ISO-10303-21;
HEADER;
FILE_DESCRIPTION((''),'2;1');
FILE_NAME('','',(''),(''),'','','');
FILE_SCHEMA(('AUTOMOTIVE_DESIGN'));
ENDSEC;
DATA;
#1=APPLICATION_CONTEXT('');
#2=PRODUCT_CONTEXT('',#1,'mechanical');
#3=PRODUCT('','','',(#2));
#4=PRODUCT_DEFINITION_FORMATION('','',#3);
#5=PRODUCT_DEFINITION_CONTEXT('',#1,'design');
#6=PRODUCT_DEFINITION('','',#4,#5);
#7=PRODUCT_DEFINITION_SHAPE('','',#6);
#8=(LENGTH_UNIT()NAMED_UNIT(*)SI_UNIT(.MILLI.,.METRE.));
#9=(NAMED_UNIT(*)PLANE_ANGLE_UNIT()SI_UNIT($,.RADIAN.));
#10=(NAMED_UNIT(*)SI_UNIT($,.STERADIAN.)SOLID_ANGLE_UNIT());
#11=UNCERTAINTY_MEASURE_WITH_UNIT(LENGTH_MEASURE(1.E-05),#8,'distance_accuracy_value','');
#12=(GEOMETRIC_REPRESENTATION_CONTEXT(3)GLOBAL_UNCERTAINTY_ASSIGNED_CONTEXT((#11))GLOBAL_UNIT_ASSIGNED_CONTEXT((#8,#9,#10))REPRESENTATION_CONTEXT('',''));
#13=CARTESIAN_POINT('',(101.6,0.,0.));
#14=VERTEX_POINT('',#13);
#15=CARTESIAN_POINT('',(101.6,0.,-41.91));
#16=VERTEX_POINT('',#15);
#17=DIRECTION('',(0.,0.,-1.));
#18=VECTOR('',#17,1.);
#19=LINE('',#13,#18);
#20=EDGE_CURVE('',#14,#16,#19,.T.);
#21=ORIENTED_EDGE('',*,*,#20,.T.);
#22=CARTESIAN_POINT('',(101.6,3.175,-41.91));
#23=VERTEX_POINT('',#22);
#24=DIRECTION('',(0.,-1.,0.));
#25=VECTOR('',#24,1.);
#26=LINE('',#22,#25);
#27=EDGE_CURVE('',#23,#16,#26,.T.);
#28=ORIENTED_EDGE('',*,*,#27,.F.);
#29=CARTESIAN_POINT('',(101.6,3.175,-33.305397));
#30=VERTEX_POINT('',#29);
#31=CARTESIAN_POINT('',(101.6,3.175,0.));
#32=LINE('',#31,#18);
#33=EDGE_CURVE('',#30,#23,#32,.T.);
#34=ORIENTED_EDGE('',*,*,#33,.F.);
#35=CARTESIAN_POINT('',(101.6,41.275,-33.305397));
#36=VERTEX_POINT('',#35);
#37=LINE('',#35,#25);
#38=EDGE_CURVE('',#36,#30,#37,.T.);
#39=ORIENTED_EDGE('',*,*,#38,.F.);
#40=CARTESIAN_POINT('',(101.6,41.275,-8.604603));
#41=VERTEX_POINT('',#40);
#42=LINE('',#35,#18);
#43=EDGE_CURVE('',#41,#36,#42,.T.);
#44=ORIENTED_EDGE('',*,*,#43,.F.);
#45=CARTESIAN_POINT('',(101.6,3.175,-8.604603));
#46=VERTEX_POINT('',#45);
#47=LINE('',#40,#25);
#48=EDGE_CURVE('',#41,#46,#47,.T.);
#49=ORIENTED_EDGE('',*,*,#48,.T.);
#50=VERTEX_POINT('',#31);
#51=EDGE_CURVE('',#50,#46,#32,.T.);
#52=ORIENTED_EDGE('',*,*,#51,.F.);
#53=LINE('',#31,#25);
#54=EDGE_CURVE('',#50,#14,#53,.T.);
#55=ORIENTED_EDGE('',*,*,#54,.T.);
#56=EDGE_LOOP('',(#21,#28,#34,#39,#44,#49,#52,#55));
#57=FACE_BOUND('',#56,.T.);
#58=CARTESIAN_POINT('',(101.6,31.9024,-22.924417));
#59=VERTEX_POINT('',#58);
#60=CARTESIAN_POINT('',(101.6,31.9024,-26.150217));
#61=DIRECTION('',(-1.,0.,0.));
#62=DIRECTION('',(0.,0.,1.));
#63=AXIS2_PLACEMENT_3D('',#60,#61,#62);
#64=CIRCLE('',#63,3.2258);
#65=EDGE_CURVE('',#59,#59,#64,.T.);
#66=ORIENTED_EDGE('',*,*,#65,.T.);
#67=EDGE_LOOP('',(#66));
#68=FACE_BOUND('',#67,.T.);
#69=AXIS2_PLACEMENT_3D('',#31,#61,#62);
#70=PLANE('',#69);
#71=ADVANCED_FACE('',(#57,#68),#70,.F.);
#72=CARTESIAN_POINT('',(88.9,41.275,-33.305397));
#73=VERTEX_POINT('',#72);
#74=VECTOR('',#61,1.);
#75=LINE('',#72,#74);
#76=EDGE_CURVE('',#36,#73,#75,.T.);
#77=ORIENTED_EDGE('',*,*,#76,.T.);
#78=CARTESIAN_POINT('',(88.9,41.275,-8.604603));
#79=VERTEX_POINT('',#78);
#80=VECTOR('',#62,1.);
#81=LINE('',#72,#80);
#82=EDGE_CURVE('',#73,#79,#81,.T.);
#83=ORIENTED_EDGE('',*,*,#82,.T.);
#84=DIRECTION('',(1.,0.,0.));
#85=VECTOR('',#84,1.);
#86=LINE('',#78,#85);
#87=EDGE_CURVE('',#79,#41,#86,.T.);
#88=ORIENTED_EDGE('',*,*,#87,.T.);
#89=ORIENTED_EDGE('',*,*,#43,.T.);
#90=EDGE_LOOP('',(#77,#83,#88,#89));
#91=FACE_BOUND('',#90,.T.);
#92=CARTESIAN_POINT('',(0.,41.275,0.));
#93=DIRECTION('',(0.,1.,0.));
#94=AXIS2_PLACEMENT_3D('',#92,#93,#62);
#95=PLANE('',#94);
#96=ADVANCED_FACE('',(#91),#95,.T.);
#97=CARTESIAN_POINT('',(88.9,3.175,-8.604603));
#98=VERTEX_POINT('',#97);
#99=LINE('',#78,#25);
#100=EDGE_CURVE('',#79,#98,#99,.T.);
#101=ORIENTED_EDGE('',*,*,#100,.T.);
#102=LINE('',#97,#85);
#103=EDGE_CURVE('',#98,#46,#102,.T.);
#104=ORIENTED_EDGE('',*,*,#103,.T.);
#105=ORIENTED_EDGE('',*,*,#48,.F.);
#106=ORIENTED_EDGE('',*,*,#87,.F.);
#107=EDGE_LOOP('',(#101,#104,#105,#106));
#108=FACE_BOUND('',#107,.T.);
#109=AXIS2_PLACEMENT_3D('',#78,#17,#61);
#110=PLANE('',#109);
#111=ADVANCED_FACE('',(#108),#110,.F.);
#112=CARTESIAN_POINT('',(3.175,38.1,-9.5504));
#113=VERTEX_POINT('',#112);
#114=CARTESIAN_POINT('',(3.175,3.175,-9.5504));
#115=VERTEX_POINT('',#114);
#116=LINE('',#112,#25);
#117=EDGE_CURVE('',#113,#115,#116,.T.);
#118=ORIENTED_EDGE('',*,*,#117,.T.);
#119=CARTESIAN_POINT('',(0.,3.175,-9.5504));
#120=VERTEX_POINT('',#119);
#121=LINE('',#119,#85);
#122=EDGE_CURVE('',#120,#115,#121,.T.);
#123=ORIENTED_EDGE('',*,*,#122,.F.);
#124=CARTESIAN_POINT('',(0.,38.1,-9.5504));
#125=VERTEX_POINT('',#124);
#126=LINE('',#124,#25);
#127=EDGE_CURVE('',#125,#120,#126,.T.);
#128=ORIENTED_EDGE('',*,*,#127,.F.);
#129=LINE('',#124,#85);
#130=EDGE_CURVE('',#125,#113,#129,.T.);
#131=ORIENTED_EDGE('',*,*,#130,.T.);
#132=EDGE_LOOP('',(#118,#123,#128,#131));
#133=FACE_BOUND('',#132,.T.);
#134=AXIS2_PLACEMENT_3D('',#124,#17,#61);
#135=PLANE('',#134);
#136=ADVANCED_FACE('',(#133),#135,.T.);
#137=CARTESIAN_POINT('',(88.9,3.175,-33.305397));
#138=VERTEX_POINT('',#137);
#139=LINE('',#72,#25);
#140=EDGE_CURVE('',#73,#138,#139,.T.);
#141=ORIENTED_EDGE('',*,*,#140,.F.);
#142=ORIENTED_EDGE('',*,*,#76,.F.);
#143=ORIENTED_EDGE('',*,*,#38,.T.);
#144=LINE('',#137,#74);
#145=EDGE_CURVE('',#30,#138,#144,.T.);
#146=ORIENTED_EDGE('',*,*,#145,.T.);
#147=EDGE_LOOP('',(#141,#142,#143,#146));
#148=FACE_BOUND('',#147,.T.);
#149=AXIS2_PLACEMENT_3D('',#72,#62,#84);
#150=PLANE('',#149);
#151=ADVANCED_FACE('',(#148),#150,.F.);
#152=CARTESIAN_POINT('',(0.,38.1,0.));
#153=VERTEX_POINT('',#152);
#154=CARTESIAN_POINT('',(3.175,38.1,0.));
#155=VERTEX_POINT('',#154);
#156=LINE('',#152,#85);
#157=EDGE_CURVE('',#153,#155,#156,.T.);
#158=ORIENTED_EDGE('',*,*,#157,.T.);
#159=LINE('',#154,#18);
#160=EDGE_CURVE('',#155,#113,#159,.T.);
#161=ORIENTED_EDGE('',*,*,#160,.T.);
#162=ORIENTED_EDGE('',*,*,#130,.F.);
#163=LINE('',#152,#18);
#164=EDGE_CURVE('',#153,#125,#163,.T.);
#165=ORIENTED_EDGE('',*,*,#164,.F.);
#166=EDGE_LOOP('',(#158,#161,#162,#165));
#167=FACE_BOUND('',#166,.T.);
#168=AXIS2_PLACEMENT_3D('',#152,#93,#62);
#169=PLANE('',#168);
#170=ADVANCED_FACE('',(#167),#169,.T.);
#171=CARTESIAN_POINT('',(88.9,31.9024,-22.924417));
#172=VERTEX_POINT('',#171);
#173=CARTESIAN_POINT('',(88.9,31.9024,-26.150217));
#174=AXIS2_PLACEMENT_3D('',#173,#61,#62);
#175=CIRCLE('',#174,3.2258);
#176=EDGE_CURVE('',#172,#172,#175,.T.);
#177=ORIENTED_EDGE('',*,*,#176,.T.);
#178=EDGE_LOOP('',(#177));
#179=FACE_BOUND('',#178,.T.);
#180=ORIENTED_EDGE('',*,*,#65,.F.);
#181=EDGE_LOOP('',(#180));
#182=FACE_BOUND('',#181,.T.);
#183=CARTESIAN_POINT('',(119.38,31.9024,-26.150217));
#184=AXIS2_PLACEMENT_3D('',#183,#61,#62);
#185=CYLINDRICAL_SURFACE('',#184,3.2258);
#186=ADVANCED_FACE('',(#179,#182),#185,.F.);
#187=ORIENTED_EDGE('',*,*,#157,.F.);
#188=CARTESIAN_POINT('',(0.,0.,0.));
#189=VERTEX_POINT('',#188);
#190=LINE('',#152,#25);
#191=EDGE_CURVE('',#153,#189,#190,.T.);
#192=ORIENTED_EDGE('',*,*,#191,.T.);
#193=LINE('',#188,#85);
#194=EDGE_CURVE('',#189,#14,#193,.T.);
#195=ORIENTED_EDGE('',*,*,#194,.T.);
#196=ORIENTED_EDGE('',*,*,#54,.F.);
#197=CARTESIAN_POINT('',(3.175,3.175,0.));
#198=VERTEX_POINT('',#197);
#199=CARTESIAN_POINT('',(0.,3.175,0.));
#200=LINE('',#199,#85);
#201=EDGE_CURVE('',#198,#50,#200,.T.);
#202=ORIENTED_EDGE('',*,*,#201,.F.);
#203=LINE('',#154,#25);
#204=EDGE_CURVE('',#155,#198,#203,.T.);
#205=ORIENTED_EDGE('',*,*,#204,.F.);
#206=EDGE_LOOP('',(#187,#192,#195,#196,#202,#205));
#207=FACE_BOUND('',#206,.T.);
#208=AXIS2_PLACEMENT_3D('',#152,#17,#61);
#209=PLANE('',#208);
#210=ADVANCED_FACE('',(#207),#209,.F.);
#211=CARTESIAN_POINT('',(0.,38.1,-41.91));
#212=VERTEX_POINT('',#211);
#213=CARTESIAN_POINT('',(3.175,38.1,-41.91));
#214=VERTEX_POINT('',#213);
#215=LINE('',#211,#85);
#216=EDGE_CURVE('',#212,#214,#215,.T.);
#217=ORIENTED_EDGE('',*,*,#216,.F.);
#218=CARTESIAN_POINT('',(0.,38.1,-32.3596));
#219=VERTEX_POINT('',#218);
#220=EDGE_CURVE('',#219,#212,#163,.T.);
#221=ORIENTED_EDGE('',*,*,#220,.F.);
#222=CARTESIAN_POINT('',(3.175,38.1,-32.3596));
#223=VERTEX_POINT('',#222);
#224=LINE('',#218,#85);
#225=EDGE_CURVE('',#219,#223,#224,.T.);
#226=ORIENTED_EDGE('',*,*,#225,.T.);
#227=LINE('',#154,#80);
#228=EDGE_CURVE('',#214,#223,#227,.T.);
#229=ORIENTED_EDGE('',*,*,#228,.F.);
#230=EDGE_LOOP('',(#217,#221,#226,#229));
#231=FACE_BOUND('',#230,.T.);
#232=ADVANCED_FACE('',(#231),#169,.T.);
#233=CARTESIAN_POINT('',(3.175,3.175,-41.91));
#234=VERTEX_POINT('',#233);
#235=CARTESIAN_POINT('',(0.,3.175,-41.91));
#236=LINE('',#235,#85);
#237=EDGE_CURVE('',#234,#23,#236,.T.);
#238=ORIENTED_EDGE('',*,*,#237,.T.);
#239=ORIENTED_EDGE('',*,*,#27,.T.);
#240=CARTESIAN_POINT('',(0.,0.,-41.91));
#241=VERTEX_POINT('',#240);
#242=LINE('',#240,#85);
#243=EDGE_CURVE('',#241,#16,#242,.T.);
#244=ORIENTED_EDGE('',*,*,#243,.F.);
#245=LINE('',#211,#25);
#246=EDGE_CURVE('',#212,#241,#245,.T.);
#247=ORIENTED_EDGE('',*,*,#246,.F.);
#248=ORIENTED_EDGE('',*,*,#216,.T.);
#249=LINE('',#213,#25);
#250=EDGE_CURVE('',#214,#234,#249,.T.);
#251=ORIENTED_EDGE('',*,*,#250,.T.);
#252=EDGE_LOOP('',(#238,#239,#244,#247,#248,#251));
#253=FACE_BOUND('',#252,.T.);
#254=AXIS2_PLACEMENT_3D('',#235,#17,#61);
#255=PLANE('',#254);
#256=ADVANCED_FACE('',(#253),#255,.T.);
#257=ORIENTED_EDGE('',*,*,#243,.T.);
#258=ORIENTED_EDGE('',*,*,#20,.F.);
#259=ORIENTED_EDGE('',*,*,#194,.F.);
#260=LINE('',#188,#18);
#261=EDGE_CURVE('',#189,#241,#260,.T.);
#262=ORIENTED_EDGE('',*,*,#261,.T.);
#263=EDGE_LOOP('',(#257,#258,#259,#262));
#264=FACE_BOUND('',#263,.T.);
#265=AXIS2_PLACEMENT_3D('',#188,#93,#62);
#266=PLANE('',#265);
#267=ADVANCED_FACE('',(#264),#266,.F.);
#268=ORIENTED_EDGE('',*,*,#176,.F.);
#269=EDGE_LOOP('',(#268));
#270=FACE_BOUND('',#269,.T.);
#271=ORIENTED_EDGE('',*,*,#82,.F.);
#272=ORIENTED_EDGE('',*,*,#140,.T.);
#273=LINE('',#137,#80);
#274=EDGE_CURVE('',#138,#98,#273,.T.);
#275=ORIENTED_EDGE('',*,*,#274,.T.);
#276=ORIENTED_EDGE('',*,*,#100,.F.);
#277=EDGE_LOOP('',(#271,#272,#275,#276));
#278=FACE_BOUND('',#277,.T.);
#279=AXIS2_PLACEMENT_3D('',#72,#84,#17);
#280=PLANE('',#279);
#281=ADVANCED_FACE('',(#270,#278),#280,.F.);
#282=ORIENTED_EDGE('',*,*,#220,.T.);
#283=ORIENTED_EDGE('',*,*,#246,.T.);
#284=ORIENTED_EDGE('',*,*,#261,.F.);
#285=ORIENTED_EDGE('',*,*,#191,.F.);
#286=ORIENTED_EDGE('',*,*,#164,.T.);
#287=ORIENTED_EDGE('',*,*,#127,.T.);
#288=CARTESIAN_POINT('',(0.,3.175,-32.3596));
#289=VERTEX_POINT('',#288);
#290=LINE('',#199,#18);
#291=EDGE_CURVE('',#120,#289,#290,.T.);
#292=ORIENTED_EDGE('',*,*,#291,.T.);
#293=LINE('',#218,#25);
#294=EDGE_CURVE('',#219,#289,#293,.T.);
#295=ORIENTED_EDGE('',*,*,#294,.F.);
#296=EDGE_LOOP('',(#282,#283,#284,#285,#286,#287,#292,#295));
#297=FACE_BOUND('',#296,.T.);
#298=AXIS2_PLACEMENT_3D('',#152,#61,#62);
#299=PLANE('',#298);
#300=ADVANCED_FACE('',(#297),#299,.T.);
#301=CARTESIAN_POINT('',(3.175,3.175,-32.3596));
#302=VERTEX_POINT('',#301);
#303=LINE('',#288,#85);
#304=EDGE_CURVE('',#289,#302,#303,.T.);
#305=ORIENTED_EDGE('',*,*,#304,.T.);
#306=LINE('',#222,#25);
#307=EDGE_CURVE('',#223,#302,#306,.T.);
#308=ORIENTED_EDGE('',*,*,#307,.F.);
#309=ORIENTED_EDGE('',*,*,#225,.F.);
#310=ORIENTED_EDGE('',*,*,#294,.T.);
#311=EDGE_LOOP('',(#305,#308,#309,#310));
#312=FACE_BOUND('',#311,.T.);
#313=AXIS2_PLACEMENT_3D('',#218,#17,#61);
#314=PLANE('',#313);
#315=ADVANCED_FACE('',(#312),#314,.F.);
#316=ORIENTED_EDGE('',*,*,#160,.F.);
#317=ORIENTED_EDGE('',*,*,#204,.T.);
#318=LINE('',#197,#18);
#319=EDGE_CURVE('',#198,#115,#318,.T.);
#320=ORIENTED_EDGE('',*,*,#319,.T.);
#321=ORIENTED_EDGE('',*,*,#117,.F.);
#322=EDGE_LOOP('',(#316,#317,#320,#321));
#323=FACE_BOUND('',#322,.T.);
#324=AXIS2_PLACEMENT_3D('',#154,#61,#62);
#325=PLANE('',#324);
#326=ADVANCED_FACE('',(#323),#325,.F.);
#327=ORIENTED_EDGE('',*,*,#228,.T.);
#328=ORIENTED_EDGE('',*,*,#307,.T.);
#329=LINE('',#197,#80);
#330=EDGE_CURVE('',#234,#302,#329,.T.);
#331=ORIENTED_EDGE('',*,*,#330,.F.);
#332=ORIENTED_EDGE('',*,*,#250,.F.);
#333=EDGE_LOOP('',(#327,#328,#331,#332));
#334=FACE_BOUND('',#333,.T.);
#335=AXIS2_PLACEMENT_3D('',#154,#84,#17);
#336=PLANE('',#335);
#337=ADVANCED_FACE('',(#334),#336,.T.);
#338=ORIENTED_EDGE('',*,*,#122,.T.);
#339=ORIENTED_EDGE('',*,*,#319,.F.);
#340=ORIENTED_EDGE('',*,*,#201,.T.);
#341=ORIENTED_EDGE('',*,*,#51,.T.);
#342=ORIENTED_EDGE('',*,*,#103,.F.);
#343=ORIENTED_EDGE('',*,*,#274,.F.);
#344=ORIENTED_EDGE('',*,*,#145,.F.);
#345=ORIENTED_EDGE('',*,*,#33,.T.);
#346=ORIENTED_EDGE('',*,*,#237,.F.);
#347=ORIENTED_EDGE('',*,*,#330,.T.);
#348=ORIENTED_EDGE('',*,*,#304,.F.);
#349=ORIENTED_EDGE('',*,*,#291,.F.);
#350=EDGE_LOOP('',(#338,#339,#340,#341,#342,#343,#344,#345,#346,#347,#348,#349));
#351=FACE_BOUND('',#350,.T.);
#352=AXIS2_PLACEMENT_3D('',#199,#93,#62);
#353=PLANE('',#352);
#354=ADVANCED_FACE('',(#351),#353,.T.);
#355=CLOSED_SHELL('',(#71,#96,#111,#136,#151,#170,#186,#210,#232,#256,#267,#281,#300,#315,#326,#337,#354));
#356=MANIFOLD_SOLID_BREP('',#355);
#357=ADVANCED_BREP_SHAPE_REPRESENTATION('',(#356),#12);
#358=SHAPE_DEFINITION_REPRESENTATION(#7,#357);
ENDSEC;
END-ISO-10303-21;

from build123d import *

# Parameters (mm, degrees)
SKETCH2_W             = 3.175
SKETCH2_H             = 9.5504
BOSS_EXTRUDE5_DEPTH   = 38.1
BOSS_EXTRUDE5_2_DEPTH = 38.1
BOSS_EXTRUDE6_DEPTH   = 3.175
SKETCH3_W             = 12.7
SKETCH3_H             = 24.700794202
BOSS_EXTRUDE7_DEPTH   = 38.1
SKETCH4_R             = 3.2258
CUT_EXTRUDE1_DEPTH    = 30.48


with BuildPart() as part:
    # Sketch2 → Boss-Extrude5 (new body)
    with BuildSketch(Plane(origin=(0, 0, 0), x_dir=(1, 0, 0), z_dir=(0, 1, 0))):
        with Locations((1.5875, 4.7752)):
            Rectangle(SKETCH2_W, SKETCH2_H)
    extrude(amount=BOSS_EXTRUDE5_DEPTH)



with BuildPart() as body_2:
    # Sketch2 → Boss-Extrude5 2 (new body)
    with BuildSketch(Plane(origin=(0, 0, 0), x_dir=(1, 0, 0), z_dir=(0, 1, 0))):
        with Locations((1.5875, 37.1348)):
            Rectangle(SKETCH2_W, SKETCH2_H)
    extrude(amount=BOSS_EXTRUDE5_2_DEPTH)


with BuildPart() as part_1:
    add(part.part)

    add(body_2.part)  # Boss-Extrude6 merges body 2
    # Sketch2<11> → Boss-Extrude6 (add)
    with BuildSketch(Plane(origin=(0, 0, 0), x_dir=(1, 0, 0), z_dir=(0, 1, 0))):
        Polygon((0, 32.3596), (0, 20.955), (0, 9.5504), (3.175, 9.5504), (3.175, 0), (101.6, 0), (101.6, 41.91), (3.175, 41.91), (3.175, 32.3596), align=None)
    extrude(amount=BOSS_EXTRUDE6_DEPTH)

    # Sketch3 → Boss-Extrude7 (add)
    with BuildSketch(Plane(origin=(0, 3.175, 0), x_dir=(1, 0, 0), z_dir=(0, 1, 0))):
        with Locations((95.25, 20.955)):
            Rectangle(SKETCH3_W, SKETCH3_H)
    extrude(amount=BOSS_EXTRUDE7_DEPTH)

    # Sketch4 → Cut-Extrude1 (cut)
    with BuildSketch(Plane.ZY.offset(-88.9)):
        with Locations((-26.150217101, 31.9024)):
            Circle(SKETCH4_R)
    extrude(amount=-CUT_EXTRUDE1_DEPTH, mode=Mode.SUBTRACT)


solid = part_1.part
